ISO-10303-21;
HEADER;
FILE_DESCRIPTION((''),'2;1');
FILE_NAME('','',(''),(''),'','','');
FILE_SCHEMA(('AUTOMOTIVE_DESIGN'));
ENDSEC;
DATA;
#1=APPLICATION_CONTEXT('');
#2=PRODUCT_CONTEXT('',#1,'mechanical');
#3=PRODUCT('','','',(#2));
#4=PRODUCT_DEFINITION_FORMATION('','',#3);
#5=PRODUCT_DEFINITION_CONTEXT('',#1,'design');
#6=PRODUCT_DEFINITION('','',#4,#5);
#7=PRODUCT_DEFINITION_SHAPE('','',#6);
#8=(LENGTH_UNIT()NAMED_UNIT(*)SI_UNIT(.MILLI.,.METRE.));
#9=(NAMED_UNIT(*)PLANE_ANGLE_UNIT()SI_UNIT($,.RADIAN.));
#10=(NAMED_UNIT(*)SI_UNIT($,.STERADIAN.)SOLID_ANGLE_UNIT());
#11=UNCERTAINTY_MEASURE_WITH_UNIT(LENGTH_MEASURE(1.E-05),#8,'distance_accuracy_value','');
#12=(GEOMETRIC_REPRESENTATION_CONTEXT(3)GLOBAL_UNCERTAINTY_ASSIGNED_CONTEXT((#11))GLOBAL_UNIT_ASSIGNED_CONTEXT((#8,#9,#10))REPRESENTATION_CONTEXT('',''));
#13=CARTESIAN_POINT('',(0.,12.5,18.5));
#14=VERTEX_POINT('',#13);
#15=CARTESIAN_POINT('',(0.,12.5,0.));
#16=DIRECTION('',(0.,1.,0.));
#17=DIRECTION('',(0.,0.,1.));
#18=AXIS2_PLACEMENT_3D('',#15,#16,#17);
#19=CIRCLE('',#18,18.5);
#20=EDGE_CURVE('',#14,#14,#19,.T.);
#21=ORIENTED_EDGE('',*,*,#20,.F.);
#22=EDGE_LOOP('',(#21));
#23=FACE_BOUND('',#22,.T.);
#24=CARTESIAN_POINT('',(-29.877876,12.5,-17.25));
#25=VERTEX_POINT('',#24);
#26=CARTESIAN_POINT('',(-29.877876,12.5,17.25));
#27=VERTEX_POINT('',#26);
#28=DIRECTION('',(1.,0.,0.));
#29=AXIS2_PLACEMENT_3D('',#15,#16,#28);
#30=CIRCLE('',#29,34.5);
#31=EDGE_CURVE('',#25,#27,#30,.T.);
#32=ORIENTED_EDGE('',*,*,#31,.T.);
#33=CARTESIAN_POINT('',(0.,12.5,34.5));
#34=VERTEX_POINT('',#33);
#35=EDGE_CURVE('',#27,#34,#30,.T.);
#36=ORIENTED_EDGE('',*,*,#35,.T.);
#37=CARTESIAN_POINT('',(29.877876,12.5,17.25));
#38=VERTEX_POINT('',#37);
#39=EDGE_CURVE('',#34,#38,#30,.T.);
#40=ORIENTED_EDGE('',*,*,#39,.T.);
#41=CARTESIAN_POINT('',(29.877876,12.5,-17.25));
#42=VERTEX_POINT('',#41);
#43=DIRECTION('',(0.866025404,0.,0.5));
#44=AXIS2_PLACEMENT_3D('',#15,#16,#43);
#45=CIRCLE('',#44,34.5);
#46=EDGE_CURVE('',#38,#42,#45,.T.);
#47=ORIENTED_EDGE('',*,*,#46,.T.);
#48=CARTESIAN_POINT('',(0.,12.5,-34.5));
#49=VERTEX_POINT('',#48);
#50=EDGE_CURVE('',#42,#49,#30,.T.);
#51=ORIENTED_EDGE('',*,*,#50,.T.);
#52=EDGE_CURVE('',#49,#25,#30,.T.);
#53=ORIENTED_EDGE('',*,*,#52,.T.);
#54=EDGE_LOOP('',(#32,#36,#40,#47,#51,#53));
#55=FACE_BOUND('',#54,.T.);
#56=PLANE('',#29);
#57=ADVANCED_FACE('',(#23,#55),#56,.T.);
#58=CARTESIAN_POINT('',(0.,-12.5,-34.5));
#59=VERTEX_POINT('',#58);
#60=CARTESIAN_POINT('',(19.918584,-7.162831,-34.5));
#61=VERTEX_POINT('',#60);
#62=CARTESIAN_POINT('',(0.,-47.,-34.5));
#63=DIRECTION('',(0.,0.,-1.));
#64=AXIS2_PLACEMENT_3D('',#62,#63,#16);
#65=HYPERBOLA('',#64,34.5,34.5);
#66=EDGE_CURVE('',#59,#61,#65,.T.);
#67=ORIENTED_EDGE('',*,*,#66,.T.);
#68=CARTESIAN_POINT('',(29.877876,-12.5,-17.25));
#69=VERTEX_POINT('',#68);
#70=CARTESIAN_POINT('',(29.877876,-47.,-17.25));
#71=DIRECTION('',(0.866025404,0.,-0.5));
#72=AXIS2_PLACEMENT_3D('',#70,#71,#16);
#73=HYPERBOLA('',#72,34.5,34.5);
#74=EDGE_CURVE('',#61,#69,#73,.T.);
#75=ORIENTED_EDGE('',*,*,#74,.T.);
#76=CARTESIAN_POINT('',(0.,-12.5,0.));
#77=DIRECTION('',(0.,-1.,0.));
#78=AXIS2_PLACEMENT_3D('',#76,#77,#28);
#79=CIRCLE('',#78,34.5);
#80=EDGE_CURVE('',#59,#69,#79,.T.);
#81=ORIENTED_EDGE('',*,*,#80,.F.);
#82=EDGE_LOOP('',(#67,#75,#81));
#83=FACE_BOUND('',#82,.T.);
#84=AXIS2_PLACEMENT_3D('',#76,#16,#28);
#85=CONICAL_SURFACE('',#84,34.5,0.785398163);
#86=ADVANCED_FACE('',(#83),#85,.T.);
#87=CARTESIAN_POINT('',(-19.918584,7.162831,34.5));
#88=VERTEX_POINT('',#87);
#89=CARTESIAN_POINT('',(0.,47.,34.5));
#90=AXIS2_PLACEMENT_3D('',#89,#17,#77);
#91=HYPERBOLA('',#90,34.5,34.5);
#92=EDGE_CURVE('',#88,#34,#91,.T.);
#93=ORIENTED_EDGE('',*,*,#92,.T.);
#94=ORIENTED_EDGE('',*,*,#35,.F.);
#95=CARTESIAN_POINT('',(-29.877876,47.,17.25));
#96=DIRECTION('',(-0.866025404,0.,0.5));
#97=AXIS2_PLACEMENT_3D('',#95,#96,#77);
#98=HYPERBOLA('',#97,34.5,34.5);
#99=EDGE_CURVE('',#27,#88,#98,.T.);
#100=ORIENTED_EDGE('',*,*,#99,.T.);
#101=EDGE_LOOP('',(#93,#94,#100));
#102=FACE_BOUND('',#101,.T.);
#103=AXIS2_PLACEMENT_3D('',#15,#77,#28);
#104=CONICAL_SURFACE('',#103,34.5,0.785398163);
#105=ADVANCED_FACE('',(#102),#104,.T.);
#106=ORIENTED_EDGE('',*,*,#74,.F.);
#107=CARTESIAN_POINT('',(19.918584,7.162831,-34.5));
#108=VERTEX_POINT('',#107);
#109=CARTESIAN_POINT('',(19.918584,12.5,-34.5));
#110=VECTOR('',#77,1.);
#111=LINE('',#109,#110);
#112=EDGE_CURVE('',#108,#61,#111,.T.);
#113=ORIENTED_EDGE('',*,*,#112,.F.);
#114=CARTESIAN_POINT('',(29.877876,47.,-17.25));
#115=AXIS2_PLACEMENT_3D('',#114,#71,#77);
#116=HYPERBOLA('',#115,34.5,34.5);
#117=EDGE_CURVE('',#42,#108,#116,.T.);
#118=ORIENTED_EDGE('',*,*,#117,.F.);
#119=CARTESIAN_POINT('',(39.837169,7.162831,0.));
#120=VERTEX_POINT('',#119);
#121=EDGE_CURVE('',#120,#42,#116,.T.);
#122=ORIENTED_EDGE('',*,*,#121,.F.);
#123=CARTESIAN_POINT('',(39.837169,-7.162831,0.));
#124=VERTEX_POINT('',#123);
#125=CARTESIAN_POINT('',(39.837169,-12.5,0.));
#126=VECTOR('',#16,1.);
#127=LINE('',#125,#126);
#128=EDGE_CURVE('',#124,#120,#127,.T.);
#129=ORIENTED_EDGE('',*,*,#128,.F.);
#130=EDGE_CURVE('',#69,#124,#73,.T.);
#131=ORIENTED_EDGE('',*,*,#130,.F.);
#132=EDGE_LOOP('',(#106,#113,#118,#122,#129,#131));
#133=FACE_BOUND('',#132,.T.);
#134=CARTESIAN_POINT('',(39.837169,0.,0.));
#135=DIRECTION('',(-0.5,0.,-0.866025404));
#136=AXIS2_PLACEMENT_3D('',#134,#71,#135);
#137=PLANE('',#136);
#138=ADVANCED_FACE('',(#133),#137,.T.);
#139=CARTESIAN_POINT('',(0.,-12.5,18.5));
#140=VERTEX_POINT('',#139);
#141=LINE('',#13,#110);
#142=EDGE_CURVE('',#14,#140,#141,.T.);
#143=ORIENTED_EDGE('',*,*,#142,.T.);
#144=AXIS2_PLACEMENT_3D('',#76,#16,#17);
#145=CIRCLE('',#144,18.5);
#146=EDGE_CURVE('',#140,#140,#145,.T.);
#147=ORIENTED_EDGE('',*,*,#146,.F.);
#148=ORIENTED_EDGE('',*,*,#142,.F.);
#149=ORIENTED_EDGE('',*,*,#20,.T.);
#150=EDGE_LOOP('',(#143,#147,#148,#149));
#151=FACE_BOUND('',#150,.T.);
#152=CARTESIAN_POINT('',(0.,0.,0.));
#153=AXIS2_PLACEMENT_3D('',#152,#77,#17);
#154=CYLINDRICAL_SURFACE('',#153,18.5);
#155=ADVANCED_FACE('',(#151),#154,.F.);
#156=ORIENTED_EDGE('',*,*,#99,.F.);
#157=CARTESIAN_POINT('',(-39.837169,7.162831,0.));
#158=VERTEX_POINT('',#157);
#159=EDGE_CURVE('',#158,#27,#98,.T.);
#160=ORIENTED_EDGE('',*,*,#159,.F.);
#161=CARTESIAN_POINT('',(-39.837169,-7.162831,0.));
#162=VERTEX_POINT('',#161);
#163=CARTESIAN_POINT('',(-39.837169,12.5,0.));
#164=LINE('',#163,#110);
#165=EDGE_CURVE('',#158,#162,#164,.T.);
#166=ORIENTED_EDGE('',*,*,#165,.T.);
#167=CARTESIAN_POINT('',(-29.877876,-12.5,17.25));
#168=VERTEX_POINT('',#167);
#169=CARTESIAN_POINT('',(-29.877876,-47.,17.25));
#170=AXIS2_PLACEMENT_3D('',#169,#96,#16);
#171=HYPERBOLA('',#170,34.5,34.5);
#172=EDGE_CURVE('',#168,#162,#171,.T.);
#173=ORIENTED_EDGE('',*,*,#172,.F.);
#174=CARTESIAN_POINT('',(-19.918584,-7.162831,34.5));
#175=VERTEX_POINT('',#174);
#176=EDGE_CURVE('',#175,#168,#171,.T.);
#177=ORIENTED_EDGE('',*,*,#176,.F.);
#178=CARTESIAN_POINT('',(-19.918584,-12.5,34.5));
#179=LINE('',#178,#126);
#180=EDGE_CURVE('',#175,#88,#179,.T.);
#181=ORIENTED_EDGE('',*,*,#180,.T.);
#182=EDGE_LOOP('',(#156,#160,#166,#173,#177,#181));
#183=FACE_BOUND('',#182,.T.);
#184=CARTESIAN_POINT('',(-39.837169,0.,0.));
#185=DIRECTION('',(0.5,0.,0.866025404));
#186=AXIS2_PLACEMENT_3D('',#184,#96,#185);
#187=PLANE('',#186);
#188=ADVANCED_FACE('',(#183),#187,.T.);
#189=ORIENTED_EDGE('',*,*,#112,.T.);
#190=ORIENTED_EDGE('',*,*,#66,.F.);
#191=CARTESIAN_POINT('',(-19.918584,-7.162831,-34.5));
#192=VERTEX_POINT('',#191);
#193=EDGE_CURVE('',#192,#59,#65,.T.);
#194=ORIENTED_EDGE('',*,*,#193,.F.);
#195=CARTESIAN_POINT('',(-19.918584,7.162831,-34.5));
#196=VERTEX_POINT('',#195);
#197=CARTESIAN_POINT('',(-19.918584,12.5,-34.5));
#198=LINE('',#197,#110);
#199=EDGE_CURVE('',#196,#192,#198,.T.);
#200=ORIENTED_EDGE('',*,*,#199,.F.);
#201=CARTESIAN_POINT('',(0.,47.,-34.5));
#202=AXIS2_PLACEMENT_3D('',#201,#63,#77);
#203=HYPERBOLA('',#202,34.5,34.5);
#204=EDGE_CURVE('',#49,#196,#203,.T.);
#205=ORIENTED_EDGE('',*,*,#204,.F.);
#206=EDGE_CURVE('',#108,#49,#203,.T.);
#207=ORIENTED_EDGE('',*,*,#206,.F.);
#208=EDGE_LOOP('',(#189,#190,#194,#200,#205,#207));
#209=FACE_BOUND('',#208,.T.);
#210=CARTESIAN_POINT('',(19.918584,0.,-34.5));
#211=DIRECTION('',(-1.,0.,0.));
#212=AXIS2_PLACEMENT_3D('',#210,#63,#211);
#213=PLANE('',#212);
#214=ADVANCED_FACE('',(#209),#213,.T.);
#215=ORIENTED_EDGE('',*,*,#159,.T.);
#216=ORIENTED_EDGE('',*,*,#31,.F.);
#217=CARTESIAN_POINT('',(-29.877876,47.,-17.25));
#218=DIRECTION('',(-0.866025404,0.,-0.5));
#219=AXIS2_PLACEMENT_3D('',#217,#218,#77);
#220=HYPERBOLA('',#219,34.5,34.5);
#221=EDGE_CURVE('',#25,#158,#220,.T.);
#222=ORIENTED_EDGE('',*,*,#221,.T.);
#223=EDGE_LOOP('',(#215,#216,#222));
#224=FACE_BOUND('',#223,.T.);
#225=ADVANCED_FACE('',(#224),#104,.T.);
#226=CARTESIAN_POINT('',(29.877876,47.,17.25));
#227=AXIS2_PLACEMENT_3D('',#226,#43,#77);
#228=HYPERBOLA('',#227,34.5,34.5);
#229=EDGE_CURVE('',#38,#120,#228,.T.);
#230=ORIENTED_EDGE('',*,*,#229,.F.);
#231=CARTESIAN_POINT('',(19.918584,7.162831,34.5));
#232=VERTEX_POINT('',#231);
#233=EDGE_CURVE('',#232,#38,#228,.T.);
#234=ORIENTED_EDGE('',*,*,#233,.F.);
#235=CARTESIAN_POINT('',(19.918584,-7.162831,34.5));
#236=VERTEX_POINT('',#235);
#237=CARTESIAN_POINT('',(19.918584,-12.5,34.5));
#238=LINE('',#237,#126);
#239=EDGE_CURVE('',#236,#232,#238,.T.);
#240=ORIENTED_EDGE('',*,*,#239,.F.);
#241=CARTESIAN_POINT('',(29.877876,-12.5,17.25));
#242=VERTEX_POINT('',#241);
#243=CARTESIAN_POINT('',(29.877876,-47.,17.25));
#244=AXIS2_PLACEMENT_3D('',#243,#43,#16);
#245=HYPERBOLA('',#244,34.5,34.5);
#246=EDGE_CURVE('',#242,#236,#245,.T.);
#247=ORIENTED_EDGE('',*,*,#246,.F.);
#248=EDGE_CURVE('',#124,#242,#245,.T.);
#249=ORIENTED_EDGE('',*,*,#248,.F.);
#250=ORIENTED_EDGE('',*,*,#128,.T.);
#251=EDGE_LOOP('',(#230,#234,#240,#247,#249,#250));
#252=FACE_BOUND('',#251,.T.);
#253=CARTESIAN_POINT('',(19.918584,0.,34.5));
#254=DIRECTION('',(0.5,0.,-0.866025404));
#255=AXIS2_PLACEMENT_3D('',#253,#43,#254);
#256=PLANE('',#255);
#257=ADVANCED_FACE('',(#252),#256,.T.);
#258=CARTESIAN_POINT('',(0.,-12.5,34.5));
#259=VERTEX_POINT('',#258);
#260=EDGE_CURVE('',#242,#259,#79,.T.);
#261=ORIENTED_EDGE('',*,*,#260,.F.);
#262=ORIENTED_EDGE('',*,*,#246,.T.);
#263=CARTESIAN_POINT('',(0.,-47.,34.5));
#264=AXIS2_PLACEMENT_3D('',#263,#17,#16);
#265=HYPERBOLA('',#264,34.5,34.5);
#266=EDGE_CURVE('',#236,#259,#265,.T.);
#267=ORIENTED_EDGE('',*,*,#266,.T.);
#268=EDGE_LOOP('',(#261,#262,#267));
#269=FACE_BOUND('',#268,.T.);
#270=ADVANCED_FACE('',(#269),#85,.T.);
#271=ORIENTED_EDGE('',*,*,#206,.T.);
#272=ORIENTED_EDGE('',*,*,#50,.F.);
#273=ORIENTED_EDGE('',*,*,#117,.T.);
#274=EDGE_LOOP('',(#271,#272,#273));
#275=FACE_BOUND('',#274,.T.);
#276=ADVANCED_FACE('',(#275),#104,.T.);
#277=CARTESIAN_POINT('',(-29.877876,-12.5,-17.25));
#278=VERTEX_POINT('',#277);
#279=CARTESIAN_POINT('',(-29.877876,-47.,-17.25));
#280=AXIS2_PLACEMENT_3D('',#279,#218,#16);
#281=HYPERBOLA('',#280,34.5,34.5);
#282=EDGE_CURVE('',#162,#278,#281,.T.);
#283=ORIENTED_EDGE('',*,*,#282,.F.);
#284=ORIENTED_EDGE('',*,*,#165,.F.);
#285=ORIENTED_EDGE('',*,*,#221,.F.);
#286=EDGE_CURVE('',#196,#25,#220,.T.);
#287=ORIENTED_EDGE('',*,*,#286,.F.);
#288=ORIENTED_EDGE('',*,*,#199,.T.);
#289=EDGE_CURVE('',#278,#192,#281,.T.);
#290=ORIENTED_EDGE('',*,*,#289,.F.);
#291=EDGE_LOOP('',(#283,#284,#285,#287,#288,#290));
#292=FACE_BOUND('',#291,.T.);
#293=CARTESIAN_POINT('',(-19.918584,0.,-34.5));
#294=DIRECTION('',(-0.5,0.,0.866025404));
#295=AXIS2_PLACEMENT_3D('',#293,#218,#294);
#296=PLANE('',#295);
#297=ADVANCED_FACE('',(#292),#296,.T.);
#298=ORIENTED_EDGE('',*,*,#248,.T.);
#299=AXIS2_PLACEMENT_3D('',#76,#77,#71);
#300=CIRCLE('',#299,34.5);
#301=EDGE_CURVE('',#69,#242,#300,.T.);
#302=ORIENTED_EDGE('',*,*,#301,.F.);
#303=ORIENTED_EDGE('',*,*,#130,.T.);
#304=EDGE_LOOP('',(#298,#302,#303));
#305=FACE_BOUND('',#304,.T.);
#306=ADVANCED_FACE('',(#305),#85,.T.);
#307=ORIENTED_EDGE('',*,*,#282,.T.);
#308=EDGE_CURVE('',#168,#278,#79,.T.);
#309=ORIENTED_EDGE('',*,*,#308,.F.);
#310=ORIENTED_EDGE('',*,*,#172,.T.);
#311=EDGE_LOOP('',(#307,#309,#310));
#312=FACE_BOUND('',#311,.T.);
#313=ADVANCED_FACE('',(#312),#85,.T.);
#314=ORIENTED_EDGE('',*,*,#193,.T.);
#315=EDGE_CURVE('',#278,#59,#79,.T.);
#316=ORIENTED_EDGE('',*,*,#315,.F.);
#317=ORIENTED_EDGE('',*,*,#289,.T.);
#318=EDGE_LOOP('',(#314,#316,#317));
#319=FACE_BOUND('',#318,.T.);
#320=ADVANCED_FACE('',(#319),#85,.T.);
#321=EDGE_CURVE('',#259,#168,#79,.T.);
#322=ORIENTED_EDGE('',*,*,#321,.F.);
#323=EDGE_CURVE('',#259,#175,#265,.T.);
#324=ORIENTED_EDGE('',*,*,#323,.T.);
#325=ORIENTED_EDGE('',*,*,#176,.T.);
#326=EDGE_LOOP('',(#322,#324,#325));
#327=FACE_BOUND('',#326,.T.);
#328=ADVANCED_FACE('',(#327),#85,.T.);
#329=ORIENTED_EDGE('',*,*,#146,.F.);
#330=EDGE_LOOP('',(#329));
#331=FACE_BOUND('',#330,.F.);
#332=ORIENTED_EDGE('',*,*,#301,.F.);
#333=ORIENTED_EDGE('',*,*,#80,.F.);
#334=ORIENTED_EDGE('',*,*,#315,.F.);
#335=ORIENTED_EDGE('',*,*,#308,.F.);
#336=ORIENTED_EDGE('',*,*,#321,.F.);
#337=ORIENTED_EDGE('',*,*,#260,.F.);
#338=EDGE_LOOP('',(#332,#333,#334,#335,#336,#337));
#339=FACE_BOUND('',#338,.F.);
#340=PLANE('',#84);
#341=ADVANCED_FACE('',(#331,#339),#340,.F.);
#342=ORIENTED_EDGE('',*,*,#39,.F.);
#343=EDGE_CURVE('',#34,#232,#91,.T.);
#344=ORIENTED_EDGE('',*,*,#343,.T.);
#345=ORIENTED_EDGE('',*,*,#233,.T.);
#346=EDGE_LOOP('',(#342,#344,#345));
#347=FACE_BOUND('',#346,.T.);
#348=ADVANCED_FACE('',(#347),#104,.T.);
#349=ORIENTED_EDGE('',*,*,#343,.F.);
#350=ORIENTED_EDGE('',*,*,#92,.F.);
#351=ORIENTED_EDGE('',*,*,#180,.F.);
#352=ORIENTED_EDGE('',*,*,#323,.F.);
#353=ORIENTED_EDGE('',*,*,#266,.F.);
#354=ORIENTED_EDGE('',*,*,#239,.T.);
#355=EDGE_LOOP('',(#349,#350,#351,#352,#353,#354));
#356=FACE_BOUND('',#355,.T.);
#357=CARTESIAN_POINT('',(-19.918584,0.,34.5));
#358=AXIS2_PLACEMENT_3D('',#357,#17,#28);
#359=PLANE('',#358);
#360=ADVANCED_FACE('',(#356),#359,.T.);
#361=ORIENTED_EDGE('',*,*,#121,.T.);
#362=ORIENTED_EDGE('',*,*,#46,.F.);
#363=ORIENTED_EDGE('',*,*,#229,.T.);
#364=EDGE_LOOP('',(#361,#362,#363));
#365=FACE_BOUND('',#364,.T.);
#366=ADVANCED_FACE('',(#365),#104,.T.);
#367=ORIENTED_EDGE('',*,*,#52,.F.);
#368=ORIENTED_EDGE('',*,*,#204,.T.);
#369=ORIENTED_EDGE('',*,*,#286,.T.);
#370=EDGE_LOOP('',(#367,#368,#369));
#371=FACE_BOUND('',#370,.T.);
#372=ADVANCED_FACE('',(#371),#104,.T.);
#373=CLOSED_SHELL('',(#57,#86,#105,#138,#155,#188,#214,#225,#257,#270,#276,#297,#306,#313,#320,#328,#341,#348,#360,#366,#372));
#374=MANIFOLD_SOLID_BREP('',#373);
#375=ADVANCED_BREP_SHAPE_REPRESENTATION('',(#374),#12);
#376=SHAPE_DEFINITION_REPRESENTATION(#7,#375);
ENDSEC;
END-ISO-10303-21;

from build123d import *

# Parameters (mm, degrees)
SKETCH1_R               = 18.5
BOSS_EXTRUDE1_DEPTH     = 12.5
SKETCH2_OUTSIDE_W       = 183.338
SKETCH2_OUTSIDE_H       = 172.664
SKETCH2_OUTSIDE_R       = 34.5
CUT_EXTRUDE3_DEPTH      = 40
CUT_EXTRUDE3_DRAFT      = -45
MIRROR1_COPY_1_SKETCH_W = 183.338
MIRROR1_COPY_1_SKETCH_H = 172.664
MIRROR1_COPY_1_SKETCH_R = 34.5
MIRROR1_COPY_1_DEPTH    = 40
MIRROR1_COPY_1_DRAFT    = -45


with BuildPart() as part:
    # Sketch1 → Boss-Extrude1 (new, symmetric)
    with BuildSketch(Plane(origin=(0, 0, 0), x_dir=(1, 0, 0), z_dir=(0, 1, 0))):
        Polygon((-39.837168574, 0), (-19.918584287, -34.5), (19.918584287, -34.5), (39.837168574, 0), (19.918584287, 34.5), (-19.918584287, 34.5), align=None)
        with Locations(Location((0, 0, 0), (0, 0, 270))):
            Circle(SKETCH1_R, mode=Mode.SUBTRACT)
    extrude(amount=BOSS_EXTRUDE1_DEPTH, both=True)


with BuildPart() as cut_extrude3_tool:
    # Sketch2 outside → Cut-Extrude3 (with draft: the straight prism first)
    with BuildSketch(Plane(origin=(0, 12.5, 0), x_dir=(1, 0, 0), z_dir=(0, 1, 0))):
        Rectangle(SKETCH2_OUTSIDE_W, SKETCH2_OUTSIDE_H)
        Circle(SKETCH2_OUTSIDE_R, mode=Mode.SUBTRACT)
    extrude(amount=-CUT_EXTRUDE3_DEPTH)
    # Cut-Extrude3: the draft: its side faces are tilted about the plane it starts from
    cut_extrude3_sides = [cut_extrude3_tool.faces().sort_by_distance(p)[0] for p in [
        (0, -7.5, 86.332),
        (91.669, -7.5, 0),
        (0, -7.5, -86.332),
        (-91.669, -7.5, 0),
        (-34.5, -7.5, 0),
    ]]
    draft(cut_extrude3_sides, Plane(origin=(0, 12.5, 0), x_dir=(1, 0, 0), z_dir=(0, 1, 0)), CUT_EXTRUDE3_DRAFT)


with BuildPart() as part_1:
    add(part.part)

    # Cut-Extrude3: cut by cut_extrude3_tool
    add(cut_extrude3_tool.part, mode=Mode.SUBTRACT)


with BuildPart() as mirror1_copy_1_tool:
    # Mirror1 copy 1 sketch → Mirror1 copy 1 (with draft: the straight prism first)
    with BuildSketch(Plane.XZ.offset(12.5)):
        Rectangle(MIRROR1_COPY_1_SKETCH_W, MIRROR1_COPY_1_SKETCH_H)
        Circle(MIRROR1_COPY_1_SKETCH_R, mode=Mode.SUBTRACT)
    extrude(amount=-MIRROR1_COPY_1_DEPTH)
    # Mirror1 copy 1: the draft: its side faces are tilted about the plane it starts from
    mirror1_copy_1_sides = [mirror1_copy_1_tool.faces().sort_by_distance(p)[0] for p in [
        (0, 7.5, 86.332),
        (91.669, 7.5, 0),
        (0, 7.5, -86.332),
        (-91.669, 7.5, 0),
        (-34.5, 7.5, 0),
    ]]
    draft(mirror1_copy_1_sides, Plane.XZ.offset(12.5), MIRROR1_COPY_1_DRAFT)


with BuildPart() as part_2:
    add(part_1.part)

    # Mirror1 copy 1: cut by mirror1_copy_1_tool
    add(mirror1_copy_1_tool.part, mode=Mode.SUBTRACT)


solid = part_2.part
